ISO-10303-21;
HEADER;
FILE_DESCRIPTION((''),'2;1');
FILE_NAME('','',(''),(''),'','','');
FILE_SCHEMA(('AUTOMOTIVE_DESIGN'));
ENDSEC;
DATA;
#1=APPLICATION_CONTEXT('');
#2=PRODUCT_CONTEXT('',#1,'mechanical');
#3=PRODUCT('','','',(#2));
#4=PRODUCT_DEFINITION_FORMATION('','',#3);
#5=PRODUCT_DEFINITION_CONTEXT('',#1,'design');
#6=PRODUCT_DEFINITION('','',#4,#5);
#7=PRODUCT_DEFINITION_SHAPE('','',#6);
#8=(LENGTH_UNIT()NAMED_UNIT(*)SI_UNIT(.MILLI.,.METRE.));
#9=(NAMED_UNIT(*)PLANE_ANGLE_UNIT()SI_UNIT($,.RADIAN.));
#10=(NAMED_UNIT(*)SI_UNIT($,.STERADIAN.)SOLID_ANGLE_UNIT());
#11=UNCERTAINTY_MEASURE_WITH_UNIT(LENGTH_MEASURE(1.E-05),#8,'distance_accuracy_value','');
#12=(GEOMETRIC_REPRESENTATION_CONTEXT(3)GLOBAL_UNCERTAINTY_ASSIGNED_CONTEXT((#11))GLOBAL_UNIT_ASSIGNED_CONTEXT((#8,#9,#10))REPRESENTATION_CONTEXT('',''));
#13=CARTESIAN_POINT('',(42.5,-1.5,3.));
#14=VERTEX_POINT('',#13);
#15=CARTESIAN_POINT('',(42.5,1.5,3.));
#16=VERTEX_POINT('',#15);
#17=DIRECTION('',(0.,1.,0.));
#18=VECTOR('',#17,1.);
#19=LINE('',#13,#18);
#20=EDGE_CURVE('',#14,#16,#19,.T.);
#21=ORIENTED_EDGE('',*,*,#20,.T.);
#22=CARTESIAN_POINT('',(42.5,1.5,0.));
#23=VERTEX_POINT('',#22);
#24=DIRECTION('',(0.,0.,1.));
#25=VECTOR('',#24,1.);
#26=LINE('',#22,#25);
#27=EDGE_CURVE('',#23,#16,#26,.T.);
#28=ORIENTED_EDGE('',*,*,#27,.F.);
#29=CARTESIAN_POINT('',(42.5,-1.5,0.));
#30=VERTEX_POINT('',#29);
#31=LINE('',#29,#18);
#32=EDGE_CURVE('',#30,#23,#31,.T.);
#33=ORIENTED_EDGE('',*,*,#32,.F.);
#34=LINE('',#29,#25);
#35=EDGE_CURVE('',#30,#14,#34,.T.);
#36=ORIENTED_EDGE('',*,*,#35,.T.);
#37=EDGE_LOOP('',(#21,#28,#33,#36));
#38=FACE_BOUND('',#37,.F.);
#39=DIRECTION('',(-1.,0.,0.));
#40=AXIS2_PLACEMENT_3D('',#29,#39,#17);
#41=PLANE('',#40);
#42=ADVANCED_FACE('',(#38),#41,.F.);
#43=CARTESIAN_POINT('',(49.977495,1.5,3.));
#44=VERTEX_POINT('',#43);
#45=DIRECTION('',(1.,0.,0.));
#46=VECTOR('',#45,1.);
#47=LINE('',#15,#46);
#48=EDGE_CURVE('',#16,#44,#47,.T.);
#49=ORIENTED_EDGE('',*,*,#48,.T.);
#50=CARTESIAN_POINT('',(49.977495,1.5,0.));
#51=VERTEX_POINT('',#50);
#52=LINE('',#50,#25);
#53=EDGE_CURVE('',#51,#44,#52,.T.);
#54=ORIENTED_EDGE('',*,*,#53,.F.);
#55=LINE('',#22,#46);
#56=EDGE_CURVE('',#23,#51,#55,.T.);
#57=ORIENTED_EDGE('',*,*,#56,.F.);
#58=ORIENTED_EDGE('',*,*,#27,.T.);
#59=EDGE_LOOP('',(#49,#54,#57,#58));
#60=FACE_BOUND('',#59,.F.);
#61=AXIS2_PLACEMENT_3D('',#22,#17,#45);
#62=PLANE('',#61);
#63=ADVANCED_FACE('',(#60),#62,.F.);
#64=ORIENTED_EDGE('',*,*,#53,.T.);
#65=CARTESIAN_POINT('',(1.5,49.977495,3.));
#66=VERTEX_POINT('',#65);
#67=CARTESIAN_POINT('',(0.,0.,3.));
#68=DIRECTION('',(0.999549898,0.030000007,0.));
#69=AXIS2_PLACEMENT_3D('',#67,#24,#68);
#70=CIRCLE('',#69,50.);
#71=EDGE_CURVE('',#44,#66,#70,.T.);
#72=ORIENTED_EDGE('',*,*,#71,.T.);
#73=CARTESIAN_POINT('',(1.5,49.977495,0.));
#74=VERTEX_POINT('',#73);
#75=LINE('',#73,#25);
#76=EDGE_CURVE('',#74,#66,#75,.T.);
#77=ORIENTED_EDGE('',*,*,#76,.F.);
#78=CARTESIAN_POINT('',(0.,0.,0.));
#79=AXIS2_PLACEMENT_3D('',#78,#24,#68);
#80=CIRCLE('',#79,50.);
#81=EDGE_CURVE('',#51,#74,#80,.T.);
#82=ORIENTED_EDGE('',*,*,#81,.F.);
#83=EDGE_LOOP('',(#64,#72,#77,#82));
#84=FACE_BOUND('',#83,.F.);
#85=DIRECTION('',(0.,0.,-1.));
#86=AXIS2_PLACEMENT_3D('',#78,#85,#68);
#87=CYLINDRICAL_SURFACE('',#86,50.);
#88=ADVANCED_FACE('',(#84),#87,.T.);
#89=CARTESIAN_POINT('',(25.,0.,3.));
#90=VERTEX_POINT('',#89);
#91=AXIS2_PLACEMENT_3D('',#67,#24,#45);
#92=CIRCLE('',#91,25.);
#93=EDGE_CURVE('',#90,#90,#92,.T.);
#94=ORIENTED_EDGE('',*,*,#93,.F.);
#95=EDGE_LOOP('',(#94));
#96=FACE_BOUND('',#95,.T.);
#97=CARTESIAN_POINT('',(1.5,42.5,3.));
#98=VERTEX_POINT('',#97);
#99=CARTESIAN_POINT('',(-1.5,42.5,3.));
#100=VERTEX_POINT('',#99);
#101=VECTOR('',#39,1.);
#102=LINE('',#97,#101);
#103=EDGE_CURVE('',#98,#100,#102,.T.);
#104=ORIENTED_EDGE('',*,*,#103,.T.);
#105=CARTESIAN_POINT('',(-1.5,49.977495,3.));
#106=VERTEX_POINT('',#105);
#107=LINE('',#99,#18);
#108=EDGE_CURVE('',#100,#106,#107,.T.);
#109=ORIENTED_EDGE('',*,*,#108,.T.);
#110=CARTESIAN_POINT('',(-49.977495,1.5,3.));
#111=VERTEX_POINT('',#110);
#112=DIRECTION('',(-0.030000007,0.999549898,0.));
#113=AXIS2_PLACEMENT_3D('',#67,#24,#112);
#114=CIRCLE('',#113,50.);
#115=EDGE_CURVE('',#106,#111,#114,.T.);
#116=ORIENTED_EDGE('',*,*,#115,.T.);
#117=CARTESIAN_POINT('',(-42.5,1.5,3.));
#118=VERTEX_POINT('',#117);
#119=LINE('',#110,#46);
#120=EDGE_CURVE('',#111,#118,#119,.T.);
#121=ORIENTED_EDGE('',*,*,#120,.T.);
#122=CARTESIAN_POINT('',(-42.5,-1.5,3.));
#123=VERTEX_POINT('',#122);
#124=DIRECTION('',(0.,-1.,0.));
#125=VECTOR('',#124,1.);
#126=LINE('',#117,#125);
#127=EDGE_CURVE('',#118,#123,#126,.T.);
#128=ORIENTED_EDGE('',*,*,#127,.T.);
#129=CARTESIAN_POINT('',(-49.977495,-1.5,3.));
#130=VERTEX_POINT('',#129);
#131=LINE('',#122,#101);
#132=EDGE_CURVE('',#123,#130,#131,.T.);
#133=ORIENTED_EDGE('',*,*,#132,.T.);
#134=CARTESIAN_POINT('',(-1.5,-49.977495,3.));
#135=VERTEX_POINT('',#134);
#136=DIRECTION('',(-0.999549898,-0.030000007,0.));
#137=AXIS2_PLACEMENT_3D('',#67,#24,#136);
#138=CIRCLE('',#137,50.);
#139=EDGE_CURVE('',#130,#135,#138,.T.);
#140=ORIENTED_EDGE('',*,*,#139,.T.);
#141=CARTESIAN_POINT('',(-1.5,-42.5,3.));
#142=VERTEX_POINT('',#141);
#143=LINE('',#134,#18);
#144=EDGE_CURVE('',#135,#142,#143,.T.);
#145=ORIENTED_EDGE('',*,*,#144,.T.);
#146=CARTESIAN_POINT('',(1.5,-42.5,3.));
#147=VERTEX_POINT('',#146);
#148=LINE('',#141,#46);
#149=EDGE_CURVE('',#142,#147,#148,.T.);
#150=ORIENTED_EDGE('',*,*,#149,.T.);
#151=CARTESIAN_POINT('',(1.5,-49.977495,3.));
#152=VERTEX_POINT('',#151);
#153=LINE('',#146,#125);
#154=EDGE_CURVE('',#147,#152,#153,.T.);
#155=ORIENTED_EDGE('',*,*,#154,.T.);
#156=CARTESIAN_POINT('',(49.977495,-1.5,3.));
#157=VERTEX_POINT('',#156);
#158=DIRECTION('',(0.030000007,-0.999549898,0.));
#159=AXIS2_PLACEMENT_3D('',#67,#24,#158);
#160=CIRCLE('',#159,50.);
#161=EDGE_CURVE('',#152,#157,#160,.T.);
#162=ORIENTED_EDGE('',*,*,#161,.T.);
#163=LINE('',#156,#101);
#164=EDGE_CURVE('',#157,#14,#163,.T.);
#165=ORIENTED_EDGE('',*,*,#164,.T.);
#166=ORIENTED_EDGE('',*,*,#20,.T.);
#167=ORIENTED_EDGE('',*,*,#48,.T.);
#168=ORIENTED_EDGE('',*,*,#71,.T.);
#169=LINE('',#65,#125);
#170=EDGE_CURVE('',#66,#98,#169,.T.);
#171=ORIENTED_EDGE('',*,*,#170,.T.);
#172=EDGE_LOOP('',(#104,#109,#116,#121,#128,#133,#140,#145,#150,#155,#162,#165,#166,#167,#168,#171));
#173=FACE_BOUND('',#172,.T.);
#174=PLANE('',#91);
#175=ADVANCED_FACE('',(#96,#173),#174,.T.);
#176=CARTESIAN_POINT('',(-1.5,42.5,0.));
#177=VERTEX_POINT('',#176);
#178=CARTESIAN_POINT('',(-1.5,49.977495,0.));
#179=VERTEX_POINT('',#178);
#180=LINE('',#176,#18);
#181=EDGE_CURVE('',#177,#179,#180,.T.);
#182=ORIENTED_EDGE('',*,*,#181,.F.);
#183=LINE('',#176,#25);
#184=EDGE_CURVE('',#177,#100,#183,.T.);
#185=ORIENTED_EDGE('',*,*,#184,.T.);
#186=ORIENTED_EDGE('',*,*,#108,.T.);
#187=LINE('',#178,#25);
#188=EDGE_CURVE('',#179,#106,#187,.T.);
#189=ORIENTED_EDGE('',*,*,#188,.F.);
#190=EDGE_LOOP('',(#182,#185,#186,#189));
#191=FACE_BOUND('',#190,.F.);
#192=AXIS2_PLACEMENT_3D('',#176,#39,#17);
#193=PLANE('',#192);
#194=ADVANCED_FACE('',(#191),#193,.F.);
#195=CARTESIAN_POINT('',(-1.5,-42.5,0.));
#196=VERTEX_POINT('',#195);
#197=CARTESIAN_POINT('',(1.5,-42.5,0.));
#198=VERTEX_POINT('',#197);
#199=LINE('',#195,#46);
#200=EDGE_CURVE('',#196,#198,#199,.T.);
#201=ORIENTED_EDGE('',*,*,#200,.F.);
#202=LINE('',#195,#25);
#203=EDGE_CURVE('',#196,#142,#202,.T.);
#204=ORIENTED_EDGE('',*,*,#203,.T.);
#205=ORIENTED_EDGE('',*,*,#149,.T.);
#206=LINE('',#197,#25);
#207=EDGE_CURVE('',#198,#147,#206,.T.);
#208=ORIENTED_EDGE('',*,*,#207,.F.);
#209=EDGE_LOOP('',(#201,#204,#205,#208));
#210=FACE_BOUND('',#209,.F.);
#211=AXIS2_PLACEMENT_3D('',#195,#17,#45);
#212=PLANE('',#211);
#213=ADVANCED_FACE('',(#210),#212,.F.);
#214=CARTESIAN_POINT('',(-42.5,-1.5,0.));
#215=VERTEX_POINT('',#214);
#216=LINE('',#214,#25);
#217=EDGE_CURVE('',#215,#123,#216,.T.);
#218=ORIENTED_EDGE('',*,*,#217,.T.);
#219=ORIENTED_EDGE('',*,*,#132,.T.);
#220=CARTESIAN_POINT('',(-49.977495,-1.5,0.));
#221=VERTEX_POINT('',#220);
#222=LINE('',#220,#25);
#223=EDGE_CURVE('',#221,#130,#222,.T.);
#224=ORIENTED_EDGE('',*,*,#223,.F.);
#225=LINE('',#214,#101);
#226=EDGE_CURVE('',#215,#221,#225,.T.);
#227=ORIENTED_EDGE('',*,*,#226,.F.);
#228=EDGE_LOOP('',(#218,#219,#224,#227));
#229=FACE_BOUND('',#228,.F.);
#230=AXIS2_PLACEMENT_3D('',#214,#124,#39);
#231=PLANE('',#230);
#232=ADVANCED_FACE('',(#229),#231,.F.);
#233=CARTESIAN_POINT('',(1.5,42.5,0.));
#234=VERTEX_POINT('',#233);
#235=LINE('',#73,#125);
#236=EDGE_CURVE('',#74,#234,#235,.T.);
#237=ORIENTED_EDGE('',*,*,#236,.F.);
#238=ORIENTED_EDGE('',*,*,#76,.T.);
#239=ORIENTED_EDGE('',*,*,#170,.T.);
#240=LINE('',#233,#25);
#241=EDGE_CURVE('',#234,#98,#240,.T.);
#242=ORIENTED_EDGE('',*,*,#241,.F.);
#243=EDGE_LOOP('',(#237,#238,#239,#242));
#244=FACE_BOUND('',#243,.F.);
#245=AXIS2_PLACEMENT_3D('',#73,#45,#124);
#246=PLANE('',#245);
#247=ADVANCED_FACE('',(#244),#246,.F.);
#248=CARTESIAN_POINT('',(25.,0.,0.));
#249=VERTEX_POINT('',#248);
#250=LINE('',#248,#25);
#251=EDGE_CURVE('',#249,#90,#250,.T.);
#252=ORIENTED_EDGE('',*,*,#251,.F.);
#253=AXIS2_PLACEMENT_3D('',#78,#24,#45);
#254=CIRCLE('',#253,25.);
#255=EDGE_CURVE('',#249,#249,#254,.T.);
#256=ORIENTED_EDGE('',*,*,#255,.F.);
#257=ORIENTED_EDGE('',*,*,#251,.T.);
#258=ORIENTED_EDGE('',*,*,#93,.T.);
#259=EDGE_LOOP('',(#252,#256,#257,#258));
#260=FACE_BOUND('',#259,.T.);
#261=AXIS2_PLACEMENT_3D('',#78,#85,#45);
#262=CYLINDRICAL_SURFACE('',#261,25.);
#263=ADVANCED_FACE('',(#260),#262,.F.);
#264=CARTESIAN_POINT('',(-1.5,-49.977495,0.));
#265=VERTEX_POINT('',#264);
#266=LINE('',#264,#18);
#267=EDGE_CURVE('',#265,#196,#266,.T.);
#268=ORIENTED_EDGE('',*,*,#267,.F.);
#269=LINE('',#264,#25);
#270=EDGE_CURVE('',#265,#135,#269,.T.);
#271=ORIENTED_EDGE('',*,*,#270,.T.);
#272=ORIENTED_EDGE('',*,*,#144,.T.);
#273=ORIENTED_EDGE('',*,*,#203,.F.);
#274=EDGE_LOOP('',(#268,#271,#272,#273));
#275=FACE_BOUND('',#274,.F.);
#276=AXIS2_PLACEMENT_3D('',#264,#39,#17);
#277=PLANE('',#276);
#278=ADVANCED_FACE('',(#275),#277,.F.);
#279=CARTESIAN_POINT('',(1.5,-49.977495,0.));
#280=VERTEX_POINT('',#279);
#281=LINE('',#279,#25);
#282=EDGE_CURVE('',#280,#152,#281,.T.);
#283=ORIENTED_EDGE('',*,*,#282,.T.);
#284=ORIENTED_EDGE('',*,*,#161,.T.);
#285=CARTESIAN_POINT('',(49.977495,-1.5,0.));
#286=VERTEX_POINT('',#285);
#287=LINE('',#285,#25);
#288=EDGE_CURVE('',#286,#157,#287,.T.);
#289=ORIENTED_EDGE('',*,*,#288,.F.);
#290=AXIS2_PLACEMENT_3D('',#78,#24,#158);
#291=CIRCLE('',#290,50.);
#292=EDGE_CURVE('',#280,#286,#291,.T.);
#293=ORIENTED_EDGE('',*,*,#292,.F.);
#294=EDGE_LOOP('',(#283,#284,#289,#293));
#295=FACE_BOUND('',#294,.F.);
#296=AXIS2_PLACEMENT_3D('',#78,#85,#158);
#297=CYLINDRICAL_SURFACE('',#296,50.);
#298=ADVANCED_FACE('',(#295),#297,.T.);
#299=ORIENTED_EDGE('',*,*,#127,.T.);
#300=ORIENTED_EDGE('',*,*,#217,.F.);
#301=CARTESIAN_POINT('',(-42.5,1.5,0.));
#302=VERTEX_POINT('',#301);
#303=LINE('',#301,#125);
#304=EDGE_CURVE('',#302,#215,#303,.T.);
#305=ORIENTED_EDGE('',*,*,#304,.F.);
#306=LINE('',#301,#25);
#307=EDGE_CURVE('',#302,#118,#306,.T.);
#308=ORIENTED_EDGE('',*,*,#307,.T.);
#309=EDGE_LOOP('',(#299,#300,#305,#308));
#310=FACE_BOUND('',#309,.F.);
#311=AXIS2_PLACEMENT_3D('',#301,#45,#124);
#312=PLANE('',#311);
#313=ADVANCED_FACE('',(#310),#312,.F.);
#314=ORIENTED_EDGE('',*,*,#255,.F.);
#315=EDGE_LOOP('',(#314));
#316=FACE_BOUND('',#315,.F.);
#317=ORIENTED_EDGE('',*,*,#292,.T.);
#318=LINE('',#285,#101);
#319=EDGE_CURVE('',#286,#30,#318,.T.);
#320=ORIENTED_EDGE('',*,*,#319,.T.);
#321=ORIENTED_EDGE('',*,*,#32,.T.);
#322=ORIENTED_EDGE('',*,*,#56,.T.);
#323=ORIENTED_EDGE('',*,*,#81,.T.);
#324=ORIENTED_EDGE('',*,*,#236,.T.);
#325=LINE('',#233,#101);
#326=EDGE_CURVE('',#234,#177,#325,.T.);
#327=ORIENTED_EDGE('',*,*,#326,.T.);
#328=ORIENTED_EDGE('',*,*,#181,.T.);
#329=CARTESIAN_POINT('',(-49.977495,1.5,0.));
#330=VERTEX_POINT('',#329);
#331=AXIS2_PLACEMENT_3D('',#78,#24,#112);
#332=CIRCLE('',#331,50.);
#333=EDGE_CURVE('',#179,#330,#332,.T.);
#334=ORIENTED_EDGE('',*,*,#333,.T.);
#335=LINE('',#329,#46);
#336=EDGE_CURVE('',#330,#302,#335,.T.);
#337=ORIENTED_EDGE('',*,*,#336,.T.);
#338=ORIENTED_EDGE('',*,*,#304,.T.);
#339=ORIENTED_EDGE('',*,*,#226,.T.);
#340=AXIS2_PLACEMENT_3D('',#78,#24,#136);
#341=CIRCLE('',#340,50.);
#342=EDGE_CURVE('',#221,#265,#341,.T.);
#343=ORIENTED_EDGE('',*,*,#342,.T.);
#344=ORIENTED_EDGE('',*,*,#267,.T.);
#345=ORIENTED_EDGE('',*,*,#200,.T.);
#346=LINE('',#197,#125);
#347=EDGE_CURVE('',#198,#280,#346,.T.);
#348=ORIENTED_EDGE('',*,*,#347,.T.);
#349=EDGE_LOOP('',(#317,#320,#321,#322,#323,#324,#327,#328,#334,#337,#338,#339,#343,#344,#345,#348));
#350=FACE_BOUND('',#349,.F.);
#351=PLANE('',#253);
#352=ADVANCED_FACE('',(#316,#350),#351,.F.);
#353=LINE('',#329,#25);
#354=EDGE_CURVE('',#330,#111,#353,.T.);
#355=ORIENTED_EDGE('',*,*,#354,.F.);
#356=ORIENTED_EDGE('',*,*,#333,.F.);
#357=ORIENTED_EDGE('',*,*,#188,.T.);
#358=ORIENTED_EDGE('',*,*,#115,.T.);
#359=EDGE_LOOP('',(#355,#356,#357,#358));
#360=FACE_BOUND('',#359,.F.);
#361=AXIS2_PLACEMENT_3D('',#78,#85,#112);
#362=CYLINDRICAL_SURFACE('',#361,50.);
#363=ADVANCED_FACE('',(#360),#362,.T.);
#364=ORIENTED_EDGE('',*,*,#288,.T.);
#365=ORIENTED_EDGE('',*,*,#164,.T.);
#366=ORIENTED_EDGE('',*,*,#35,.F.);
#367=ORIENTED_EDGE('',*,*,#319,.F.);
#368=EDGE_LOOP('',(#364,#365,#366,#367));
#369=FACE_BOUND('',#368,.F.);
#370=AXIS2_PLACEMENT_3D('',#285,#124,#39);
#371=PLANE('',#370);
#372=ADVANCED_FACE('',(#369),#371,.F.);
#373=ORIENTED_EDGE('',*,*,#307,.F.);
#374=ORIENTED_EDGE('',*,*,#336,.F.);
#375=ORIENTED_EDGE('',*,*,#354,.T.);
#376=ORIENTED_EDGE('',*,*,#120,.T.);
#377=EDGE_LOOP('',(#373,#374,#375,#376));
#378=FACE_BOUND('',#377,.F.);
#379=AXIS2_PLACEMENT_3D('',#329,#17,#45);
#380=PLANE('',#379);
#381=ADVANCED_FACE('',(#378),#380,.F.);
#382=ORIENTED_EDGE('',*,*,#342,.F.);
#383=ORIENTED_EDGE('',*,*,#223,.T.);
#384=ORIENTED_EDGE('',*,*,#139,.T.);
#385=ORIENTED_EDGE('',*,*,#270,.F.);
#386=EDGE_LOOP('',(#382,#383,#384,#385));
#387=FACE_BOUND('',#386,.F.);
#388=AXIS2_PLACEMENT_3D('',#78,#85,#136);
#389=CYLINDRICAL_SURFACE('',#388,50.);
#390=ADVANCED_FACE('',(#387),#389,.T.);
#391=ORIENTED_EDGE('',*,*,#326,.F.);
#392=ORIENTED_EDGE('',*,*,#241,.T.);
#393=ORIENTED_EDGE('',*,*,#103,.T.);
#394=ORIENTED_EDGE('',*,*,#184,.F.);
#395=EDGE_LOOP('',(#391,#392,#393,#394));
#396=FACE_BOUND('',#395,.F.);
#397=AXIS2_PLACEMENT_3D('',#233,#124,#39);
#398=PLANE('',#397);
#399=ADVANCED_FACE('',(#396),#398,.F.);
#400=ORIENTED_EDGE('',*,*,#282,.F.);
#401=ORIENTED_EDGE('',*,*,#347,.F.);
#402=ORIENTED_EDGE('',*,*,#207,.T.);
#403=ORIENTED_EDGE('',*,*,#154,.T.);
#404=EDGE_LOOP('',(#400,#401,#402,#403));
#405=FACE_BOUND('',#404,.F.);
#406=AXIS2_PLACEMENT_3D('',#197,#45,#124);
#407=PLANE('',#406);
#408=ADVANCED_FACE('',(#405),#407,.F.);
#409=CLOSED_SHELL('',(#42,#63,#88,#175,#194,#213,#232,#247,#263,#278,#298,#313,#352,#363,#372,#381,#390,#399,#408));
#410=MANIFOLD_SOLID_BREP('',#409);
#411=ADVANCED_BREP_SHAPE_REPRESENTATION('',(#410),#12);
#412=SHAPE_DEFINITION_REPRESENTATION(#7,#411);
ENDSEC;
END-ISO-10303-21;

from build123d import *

# Parameters (mm, degrees)
F0_R     = 25
F1_DEPTH = 3


with BuildPart() as f1:
    # F0 (on Top) → F1 (new body)
    with BuildSketch(Plane.XY):
        with BuildLine():
            Line((-1.5, 42.5), (-1.5, 49.977495))
            ThreePointArc((-1.5, 49.977495), (-35.355339, 35.355339), (-49.977495, 1.5))
            Line((-49.977495, 1.5), (-42.5, 1.5))
            Line((-42.5, 1.5), (-42.5, -1.5))
            Line((-42.5, -1.5), (-49.977495, -1.5))
            ThreePointArc((-49.977495, -1.5), (-35.355339, -35.355339), (-1.5, -49.977495))
            Line((-1.5, -49.977495), (-1.5, -42.5))
            Line((-1.5, -42.5), (1.5, -42.5))
            Line((1.5, -42.5), (1.5, -49.977495))
            ThreePointArc((1.5, -49.977495), (35.355339, -35.355339), (49.977495, -1.5))
            Line((49.977495, -1.5), (42.5, -1.5))
            Line((42.5, -1.5), (42.5, 1.5))
            Line((42.5, 1.5), (49.977495, 1.5))
            ThreePointArc((49.977495, 1.5), (35.355339, 35.355339), (1.5, 49.977495))
            Line((1.5, 49.977495), (1.5, 42.5))
            Line((1.5, 42.5), (-1.5, 42.5))
        make_face()
        Circle(F0_R, mode=Mode.SUBTRACT)
    extrude(amount=F1_DEPTH)


solid = f1.part
